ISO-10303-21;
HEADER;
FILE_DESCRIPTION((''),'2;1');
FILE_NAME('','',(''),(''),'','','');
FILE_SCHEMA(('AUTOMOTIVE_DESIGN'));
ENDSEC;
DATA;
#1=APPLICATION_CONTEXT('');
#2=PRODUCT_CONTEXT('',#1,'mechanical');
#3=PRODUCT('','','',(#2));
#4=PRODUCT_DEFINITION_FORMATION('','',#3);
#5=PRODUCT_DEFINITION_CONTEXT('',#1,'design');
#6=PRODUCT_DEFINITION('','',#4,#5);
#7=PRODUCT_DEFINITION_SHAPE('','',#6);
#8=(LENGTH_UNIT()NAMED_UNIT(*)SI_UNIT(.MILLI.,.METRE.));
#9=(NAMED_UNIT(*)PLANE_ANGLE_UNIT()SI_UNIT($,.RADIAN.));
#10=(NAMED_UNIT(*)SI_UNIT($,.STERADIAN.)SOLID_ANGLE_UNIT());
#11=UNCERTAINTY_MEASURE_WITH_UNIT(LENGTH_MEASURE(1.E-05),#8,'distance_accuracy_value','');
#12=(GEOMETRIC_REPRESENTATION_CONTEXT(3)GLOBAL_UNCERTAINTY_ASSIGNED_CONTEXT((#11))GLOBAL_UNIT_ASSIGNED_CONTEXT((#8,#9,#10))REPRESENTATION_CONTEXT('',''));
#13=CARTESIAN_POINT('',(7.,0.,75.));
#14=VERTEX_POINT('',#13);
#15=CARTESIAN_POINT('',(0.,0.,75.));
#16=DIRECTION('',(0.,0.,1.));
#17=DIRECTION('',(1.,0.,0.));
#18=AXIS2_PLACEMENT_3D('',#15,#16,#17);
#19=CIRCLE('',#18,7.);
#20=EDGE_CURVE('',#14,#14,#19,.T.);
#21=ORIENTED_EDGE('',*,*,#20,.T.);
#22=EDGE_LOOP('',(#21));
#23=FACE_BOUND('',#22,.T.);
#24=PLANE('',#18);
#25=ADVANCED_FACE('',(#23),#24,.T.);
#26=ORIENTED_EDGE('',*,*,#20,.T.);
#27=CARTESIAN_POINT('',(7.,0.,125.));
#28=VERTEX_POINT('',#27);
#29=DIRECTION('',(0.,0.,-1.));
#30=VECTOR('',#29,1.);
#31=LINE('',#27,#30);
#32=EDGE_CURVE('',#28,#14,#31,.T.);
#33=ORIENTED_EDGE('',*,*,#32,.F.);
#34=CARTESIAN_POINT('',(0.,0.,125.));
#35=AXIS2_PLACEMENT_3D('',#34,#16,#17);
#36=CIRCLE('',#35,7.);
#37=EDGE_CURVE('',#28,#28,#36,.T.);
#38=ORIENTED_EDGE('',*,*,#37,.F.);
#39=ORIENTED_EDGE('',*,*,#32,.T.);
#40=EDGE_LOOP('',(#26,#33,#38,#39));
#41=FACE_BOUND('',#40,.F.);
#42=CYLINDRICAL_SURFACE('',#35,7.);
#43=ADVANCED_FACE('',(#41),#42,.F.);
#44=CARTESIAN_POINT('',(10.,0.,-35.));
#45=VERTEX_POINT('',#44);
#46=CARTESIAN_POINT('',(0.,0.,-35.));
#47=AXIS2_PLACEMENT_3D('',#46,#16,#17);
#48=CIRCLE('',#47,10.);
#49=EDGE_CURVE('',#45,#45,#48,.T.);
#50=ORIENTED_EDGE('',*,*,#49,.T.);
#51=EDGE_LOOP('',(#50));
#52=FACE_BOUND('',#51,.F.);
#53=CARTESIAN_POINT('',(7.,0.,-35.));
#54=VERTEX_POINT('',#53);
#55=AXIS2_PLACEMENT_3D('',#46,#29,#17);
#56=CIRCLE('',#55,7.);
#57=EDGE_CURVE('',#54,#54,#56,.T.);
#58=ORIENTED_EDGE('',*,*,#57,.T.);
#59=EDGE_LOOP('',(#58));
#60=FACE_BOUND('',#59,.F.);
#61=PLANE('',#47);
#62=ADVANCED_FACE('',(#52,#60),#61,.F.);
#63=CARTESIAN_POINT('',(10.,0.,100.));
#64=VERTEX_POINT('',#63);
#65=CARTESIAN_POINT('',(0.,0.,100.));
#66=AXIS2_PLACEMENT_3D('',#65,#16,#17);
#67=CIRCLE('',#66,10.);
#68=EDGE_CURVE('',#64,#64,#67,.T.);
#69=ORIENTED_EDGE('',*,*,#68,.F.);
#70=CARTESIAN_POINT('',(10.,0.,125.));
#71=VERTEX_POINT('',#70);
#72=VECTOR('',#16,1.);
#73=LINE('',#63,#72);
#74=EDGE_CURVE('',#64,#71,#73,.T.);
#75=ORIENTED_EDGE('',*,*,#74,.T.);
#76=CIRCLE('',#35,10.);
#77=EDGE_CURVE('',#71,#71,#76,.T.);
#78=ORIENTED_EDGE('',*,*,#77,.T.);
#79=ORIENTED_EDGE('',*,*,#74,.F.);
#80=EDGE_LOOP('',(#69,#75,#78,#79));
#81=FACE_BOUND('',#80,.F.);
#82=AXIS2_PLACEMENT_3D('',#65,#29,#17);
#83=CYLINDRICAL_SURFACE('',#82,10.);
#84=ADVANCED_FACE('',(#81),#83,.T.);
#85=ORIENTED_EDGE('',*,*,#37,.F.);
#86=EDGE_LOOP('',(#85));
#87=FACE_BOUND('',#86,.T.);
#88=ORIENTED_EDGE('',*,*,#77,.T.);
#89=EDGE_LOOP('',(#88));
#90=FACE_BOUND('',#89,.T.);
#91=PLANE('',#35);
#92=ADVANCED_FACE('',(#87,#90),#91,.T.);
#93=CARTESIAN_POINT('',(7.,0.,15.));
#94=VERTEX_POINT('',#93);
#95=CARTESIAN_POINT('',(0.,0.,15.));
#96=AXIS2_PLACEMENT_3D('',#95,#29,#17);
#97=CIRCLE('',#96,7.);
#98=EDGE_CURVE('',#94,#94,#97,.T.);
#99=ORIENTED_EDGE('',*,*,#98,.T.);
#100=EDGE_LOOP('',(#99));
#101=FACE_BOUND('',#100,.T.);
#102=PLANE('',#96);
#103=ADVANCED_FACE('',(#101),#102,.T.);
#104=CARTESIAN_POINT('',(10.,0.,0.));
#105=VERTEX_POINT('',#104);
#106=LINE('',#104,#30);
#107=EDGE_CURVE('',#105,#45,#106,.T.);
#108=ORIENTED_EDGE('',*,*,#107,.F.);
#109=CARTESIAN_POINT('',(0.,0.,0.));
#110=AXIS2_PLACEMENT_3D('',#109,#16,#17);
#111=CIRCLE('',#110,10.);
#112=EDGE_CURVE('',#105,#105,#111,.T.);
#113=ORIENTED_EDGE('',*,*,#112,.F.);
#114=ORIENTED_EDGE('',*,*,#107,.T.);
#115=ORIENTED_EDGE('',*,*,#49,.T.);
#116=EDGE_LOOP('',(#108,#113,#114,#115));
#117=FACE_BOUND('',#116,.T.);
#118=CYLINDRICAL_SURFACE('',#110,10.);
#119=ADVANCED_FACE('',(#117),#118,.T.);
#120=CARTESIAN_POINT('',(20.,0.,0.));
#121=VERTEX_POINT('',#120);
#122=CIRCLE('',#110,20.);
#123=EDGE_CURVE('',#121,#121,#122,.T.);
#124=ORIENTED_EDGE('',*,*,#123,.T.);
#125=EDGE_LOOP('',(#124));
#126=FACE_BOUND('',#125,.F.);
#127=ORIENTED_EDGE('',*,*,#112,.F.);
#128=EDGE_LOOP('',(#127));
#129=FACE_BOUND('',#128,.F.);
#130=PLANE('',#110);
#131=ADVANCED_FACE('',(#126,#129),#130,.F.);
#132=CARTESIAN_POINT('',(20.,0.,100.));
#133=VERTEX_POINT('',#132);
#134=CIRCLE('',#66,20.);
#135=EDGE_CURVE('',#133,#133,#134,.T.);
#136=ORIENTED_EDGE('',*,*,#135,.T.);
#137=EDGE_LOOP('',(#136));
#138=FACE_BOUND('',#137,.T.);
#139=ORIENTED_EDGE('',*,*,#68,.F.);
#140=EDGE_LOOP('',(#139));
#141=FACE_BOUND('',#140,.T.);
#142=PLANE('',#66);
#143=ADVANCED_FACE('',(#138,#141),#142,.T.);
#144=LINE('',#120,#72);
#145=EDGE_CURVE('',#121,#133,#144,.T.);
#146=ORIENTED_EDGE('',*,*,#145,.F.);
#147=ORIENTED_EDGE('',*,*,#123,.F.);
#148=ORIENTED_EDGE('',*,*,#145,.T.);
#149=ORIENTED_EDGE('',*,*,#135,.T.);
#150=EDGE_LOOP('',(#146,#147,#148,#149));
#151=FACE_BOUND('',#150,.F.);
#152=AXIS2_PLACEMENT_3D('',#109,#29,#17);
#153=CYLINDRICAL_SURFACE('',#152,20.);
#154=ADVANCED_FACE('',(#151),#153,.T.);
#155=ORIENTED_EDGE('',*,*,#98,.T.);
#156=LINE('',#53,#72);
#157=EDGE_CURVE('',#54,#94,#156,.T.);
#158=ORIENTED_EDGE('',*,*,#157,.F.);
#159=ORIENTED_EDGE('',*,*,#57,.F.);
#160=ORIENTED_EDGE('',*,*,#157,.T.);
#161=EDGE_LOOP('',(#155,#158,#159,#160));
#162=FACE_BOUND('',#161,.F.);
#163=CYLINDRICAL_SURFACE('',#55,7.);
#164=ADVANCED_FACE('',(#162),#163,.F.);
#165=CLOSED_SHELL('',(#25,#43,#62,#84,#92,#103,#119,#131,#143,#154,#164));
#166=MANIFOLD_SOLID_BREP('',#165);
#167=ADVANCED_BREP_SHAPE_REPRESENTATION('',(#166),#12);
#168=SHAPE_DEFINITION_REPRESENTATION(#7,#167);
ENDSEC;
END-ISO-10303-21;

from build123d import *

# Parameters (mm, degrees)
F0_R      = 10
F1_DEPTH  = 35
F0_R_2    = 20
F1_FACE_R = 10
F2_DEPTH  = 100
F3_R      = 10
F4_DEPTH  = 25
F5_R      = 7
F6_DEPTH  = 50
F7_R      = 7
F8_DEPTH  = 50


with BuildPart() as f1:
    # F0 (on Top) → F1 (new body)
    with BuildSketch(Plane.XY):
        Circle(F0_R)
    extrude(amount=-F1_DEPTH)

    # F0 (on Top) + F1_face (on face) → F2 (join)
    with BuildSketch(Plane.XY):
        Circle(F0_R_2)
        Circle(F0_R, mode=Mode.SUBTRACT)
    with BuildSketch(Plane.XY):
        Circle(F1_FACE_R)
    extrude(amount=F2_DEPTH)

    # F3 (on face) → F4 (join)
    with BuildSketch(Plane.XY.offset(100)):
        Circle(F3_R)
    extrude(amount=F4_DEPTH)

    # F5 (on face) → F6 (cut)
    with BuildSketch(Plane.XY.offset(125)):
        Circle(F5_R)
    extrude(amount=-F6_DEPTH, mode=Mode.SUBTRACT)

    # F7 (on face) → F8 (cut)
    with BuildSketch(Plane(origin=(0, 0, -35), x_dir=(1, 0, 0), z_dir=(0, 0, -1))):
        Circle(F7_R)
    extrude(amount=-F8_DEPTH, mode=Mode.SUBTRACT)


solid = f1.part
